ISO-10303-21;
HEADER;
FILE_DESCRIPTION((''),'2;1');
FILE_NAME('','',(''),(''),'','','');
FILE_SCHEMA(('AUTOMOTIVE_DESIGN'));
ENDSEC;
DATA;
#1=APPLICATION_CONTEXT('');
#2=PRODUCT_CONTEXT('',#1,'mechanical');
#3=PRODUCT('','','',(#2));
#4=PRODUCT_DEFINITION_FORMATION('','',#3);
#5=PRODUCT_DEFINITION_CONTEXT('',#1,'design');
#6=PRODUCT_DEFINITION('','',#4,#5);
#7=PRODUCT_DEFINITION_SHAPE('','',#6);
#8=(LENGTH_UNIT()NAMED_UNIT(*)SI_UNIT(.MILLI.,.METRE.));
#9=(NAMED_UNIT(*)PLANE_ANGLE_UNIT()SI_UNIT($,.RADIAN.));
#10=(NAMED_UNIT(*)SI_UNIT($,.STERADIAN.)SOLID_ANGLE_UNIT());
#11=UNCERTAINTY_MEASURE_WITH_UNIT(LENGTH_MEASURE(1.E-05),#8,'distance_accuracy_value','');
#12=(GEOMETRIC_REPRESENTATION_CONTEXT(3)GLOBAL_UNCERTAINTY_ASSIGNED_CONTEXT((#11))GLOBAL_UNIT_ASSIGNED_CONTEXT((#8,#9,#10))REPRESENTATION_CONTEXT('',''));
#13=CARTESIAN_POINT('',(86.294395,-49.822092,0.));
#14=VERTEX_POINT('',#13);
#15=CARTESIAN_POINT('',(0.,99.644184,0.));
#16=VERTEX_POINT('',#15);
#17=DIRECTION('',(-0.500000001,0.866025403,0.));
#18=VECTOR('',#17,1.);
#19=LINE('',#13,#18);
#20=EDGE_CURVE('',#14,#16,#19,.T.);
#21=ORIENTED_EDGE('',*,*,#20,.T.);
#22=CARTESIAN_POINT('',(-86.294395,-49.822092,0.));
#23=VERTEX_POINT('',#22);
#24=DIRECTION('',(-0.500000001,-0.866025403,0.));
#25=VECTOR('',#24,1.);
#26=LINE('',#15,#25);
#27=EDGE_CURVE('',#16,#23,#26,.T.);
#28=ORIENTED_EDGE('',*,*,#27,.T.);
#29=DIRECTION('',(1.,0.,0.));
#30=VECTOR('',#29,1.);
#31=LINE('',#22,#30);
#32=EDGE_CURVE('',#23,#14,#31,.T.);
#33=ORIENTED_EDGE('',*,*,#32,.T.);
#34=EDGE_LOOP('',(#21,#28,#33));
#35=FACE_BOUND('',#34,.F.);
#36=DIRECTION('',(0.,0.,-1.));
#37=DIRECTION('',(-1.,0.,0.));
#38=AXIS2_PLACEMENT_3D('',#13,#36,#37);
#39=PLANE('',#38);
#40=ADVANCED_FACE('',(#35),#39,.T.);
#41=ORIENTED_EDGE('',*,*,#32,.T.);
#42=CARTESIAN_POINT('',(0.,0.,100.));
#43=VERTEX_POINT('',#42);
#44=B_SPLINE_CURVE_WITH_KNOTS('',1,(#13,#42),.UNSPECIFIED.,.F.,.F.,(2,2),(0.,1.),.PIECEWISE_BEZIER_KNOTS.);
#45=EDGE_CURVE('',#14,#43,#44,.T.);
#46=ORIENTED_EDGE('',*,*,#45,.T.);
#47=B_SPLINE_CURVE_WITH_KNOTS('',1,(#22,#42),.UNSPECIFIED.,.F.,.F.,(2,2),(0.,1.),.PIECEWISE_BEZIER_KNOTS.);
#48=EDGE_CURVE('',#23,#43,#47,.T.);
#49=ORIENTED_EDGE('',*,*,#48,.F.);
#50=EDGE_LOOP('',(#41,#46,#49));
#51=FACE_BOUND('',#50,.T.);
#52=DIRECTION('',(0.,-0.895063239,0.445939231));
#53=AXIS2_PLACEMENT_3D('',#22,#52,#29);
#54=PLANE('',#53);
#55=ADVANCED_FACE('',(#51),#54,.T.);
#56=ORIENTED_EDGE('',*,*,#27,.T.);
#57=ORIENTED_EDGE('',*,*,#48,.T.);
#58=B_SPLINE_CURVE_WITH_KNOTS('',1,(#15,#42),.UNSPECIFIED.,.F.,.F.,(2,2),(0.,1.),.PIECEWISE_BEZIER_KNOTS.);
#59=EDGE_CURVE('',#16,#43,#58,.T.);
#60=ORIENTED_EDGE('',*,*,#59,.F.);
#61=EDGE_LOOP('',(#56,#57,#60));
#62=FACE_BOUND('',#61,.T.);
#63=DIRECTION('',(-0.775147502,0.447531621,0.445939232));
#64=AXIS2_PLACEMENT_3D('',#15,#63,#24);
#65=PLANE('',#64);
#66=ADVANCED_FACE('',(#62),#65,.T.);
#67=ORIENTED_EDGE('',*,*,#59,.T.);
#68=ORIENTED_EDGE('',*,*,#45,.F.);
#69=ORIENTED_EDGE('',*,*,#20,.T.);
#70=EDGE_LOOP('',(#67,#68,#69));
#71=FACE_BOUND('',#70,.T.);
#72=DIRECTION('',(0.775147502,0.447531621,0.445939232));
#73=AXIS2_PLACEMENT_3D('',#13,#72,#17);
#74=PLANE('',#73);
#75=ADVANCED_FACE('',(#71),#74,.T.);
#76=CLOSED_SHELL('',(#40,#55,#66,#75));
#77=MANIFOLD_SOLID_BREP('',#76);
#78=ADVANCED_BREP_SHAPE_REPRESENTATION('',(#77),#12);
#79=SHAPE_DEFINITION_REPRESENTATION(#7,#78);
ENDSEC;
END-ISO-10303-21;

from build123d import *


with BuildPart() as f3:
    # F0 (on Top) → F3 section 0
    with BuildSketch(Plane.XY, mode=Mode.PRIVATE) as f3_s0:
        Polygon((86.294395, -49.822092), (0, 99.644184), (-86.294395, -49.822092), align=None)
    loft([f3_s0.sketch, Vertex(0, 0, 100)])


solid = f3.part
